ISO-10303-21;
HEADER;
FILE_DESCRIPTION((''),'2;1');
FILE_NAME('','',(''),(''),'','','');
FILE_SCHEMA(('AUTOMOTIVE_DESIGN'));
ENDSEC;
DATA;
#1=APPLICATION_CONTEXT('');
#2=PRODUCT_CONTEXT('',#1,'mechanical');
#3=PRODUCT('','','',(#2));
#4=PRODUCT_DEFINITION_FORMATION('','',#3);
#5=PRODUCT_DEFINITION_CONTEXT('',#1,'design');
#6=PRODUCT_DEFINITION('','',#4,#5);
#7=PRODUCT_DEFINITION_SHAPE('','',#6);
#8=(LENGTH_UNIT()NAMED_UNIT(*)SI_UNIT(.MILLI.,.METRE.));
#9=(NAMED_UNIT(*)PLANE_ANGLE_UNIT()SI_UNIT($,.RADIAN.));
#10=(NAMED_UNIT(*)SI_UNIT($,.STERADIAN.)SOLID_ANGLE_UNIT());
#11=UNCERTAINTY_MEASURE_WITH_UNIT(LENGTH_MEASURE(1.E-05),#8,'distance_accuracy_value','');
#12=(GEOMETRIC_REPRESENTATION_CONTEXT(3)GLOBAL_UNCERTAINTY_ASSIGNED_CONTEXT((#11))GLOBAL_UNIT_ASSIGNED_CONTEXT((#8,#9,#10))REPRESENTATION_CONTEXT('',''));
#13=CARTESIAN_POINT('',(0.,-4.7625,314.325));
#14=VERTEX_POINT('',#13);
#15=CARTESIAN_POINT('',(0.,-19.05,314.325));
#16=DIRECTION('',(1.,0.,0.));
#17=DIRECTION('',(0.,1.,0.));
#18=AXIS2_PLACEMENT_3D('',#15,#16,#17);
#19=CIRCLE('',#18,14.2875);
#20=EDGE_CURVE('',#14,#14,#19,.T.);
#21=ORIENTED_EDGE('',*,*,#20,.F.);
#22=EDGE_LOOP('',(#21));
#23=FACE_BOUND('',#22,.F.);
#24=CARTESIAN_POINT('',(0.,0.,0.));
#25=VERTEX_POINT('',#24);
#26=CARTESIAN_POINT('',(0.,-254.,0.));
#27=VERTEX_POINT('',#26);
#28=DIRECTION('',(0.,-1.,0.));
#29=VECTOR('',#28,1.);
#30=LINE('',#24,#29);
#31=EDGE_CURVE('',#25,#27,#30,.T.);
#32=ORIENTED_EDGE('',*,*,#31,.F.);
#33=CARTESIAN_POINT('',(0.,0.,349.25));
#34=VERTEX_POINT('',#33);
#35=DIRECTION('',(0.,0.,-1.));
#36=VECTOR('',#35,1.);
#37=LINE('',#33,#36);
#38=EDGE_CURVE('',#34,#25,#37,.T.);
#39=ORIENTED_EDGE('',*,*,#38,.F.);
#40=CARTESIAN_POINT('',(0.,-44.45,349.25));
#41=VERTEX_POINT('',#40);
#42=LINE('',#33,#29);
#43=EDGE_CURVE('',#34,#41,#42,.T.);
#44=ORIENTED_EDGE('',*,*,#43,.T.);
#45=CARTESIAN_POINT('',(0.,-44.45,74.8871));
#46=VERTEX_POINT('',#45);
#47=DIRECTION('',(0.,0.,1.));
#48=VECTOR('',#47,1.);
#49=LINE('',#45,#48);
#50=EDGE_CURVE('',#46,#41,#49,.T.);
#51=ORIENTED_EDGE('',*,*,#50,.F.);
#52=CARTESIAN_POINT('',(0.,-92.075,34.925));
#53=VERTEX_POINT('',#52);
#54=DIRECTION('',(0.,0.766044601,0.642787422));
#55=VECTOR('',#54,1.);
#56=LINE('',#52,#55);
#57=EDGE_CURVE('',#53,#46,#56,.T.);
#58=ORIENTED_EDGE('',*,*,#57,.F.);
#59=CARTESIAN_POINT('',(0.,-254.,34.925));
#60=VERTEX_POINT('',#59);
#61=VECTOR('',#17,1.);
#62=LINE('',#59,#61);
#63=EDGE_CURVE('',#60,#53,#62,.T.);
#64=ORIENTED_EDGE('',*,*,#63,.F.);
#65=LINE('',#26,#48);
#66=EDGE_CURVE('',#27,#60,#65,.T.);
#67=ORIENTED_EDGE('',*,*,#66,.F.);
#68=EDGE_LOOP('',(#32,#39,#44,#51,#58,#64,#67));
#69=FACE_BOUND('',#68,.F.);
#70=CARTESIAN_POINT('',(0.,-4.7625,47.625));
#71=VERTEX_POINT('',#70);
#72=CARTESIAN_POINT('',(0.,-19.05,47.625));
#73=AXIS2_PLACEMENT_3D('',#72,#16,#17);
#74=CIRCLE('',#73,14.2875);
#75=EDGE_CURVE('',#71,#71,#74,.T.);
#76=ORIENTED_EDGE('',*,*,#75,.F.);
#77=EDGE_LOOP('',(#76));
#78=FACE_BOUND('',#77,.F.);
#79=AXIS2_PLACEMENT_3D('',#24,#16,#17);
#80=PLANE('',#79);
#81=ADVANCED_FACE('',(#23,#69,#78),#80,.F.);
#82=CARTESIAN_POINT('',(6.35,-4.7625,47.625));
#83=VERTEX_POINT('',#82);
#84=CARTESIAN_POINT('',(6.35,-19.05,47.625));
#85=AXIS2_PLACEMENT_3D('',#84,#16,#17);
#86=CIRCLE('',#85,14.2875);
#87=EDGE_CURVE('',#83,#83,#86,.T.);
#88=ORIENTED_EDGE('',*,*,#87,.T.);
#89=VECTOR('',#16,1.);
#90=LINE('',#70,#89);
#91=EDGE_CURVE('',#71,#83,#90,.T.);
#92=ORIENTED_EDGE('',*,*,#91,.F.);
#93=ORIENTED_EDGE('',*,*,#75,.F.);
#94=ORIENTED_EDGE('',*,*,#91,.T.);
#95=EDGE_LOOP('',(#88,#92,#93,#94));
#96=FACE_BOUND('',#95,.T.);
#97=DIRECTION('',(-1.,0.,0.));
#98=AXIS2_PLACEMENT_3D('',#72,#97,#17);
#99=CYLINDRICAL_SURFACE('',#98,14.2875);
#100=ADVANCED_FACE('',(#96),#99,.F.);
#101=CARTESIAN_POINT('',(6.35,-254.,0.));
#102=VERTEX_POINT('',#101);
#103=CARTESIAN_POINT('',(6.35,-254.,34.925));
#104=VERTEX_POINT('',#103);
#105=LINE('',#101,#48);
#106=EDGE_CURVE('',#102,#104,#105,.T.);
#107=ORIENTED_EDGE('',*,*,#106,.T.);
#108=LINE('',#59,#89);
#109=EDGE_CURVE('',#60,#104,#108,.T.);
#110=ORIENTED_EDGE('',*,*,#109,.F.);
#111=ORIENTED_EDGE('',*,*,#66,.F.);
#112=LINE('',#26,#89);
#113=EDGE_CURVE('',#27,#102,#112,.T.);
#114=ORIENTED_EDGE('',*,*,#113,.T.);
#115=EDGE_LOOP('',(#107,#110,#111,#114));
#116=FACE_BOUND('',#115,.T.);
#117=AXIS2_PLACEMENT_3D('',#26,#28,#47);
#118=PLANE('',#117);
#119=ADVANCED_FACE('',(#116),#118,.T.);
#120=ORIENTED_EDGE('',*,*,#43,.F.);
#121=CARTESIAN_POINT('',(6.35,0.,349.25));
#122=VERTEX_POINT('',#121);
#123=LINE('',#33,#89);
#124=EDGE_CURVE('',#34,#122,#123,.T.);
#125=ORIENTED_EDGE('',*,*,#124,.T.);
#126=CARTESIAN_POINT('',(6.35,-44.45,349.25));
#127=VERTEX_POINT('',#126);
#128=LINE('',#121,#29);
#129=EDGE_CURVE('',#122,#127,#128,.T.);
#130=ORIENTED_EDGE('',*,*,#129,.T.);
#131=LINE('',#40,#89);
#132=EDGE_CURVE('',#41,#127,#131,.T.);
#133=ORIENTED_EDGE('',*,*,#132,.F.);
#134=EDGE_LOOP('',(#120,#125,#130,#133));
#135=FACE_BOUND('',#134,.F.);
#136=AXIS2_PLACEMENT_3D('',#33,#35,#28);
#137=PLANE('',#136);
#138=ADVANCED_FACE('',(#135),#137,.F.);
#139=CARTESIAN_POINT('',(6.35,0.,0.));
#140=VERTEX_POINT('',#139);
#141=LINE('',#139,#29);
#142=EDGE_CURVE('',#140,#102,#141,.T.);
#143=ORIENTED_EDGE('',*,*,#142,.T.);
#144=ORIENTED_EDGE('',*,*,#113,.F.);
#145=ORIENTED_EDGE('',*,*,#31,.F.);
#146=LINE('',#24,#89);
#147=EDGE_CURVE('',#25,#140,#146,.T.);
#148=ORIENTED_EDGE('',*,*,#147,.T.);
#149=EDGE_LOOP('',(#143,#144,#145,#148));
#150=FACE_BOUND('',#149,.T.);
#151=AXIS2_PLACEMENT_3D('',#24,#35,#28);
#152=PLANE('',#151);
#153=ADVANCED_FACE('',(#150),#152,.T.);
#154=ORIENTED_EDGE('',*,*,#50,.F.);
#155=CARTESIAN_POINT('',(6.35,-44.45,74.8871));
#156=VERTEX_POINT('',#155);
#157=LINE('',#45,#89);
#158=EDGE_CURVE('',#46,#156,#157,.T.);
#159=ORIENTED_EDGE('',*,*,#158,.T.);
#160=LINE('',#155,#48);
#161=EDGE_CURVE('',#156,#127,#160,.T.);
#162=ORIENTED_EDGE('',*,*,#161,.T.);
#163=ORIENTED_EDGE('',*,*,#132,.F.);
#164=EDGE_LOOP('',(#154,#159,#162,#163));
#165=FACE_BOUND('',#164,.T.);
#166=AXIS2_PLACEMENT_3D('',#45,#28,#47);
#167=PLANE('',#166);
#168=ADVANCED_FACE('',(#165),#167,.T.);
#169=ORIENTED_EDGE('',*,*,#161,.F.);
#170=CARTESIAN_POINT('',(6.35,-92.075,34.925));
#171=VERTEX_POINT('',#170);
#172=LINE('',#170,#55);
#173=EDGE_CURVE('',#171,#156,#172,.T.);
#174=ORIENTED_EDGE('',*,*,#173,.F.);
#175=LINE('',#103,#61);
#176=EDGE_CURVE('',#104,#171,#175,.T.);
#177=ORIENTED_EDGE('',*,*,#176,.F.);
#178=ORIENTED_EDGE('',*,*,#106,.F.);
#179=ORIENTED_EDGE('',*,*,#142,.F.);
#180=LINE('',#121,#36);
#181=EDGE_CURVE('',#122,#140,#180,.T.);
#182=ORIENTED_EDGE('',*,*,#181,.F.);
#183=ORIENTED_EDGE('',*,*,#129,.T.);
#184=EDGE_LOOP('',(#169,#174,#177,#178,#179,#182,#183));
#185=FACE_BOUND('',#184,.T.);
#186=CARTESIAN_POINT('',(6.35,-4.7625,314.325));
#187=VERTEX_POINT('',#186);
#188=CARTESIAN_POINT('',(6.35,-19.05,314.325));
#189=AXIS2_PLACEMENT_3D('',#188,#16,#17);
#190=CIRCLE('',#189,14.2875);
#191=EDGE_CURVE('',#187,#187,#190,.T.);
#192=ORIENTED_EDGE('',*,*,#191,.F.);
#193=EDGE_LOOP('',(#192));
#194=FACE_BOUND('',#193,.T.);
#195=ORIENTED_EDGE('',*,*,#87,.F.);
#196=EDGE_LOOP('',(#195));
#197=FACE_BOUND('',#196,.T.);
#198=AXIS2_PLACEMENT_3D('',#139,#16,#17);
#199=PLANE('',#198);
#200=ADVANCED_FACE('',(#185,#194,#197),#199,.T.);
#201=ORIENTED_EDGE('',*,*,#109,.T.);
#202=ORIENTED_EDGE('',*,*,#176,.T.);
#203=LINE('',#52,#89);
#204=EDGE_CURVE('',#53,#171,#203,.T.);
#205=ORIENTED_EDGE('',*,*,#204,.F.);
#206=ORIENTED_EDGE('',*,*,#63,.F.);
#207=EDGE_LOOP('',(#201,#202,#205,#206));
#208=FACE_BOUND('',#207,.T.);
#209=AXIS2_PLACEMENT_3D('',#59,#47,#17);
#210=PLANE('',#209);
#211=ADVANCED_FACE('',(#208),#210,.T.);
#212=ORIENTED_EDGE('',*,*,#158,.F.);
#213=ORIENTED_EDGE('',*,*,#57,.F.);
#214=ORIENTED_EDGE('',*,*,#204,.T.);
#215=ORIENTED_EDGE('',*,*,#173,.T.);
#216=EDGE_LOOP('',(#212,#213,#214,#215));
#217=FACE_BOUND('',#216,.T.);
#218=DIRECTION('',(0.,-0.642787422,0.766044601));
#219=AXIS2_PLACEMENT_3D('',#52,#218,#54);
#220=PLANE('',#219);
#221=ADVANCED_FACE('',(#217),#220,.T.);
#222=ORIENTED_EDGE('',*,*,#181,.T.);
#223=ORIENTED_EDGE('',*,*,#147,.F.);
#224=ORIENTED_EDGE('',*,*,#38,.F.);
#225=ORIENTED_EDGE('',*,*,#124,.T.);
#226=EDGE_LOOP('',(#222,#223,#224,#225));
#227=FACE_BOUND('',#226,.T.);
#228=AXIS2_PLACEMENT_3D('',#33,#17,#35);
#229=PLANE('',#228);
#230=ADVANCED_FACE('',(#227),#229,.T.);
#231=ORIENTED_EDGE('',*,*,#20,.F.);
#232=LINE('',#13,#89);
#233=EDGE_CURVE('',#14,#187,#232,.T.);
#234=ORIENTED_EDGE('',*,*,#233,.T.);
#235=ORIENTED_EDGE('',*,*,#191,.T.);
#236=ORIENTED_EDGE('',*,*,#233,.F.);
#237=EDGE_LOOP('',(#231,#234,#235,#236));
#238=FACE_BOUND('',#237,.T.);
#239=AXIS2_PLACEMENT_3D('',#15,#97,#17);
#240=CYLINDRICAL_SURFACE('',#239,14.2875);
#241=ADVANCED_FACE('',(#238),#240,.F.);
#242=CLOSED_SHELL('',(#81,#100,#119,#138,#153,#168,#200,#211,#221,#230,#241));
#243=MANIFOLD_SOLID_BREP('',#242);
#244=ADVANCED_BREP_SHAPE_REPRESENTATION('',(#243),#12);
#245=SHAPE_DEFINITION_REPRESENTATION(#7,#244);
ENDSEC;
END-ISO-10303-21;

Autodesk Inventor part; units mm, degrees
ref_plane "YZ Plane" through (0, 0, 0) normal (1, 0, 0) x (0, 1, 0)
ref_plane "XZ Plane" through (0, 0, 0) normal (0, 1, 0) x (-1, 0, 0)
ref_plane "XY Plane" through (0, 0, 0) normal (0, 0, 1) x (1, 0, 0)
sketch "Sketch1" plane through (0, 0, 0) normal (1, 0, 0) x (0, 1, 0)
  line L0 (0, 0) -> (-254, 0)
  line L1 (0, 349.25) -> (0, 0)
  circle A0 centre (-19.05, 47.625) radius 14.2875
  line L2 (-254, 0) -> (-254, 34.925)
  line L3 (0, 349.25) -> (-44.45, 349.25)
  circle A1 centre (-19.05, 314.325) radius 14.2875
  line L4 (-254, 34.925) -> (-92.075, 34.925)
  line L5 (-92.075, 34.925) -> (-44.45, 74.8871)
  line L6 (-44.45, 74.8871) -> (-44.45, 349.25)
  dimension "d2" = 254
  dimension "d3" = 349.25
  dimension "d5" = 47.625
  dimension "d6" = 19.05
  dimension "d7" = 28.575
  dimension "d45" = 34.925
  dimension "d47" = 44.45
  dimension "d50" = 266.7
  dimension "d51" = 130
  dimension "d52" = 161.925
extrude "Plate1" add sketch "Sketch1" along normal blind 6.35
equation "\"d4\" = Thickness"
equation "\"BendRadius\" = Thickness"
equation "\"BendReliefWidth\" = Thickness"
equation "\"BendReliefDepth\" = 0.5 * Thickness"
equation "\"CornerReliefSize\" = 4 * Thickness"
equation "\"MinimumRemnant\" = 2 * Thickness"
equation "\"TransitionRadius\" = BendRadius"
equation "\"JacobiRadiusSize\" = BendRadius"
equation "\"GapSize\" = Thickness"
equation "\"Thickness\" = 6.35"
properties part number "PLATE,GUSSET" material "Aluminum 6061"
